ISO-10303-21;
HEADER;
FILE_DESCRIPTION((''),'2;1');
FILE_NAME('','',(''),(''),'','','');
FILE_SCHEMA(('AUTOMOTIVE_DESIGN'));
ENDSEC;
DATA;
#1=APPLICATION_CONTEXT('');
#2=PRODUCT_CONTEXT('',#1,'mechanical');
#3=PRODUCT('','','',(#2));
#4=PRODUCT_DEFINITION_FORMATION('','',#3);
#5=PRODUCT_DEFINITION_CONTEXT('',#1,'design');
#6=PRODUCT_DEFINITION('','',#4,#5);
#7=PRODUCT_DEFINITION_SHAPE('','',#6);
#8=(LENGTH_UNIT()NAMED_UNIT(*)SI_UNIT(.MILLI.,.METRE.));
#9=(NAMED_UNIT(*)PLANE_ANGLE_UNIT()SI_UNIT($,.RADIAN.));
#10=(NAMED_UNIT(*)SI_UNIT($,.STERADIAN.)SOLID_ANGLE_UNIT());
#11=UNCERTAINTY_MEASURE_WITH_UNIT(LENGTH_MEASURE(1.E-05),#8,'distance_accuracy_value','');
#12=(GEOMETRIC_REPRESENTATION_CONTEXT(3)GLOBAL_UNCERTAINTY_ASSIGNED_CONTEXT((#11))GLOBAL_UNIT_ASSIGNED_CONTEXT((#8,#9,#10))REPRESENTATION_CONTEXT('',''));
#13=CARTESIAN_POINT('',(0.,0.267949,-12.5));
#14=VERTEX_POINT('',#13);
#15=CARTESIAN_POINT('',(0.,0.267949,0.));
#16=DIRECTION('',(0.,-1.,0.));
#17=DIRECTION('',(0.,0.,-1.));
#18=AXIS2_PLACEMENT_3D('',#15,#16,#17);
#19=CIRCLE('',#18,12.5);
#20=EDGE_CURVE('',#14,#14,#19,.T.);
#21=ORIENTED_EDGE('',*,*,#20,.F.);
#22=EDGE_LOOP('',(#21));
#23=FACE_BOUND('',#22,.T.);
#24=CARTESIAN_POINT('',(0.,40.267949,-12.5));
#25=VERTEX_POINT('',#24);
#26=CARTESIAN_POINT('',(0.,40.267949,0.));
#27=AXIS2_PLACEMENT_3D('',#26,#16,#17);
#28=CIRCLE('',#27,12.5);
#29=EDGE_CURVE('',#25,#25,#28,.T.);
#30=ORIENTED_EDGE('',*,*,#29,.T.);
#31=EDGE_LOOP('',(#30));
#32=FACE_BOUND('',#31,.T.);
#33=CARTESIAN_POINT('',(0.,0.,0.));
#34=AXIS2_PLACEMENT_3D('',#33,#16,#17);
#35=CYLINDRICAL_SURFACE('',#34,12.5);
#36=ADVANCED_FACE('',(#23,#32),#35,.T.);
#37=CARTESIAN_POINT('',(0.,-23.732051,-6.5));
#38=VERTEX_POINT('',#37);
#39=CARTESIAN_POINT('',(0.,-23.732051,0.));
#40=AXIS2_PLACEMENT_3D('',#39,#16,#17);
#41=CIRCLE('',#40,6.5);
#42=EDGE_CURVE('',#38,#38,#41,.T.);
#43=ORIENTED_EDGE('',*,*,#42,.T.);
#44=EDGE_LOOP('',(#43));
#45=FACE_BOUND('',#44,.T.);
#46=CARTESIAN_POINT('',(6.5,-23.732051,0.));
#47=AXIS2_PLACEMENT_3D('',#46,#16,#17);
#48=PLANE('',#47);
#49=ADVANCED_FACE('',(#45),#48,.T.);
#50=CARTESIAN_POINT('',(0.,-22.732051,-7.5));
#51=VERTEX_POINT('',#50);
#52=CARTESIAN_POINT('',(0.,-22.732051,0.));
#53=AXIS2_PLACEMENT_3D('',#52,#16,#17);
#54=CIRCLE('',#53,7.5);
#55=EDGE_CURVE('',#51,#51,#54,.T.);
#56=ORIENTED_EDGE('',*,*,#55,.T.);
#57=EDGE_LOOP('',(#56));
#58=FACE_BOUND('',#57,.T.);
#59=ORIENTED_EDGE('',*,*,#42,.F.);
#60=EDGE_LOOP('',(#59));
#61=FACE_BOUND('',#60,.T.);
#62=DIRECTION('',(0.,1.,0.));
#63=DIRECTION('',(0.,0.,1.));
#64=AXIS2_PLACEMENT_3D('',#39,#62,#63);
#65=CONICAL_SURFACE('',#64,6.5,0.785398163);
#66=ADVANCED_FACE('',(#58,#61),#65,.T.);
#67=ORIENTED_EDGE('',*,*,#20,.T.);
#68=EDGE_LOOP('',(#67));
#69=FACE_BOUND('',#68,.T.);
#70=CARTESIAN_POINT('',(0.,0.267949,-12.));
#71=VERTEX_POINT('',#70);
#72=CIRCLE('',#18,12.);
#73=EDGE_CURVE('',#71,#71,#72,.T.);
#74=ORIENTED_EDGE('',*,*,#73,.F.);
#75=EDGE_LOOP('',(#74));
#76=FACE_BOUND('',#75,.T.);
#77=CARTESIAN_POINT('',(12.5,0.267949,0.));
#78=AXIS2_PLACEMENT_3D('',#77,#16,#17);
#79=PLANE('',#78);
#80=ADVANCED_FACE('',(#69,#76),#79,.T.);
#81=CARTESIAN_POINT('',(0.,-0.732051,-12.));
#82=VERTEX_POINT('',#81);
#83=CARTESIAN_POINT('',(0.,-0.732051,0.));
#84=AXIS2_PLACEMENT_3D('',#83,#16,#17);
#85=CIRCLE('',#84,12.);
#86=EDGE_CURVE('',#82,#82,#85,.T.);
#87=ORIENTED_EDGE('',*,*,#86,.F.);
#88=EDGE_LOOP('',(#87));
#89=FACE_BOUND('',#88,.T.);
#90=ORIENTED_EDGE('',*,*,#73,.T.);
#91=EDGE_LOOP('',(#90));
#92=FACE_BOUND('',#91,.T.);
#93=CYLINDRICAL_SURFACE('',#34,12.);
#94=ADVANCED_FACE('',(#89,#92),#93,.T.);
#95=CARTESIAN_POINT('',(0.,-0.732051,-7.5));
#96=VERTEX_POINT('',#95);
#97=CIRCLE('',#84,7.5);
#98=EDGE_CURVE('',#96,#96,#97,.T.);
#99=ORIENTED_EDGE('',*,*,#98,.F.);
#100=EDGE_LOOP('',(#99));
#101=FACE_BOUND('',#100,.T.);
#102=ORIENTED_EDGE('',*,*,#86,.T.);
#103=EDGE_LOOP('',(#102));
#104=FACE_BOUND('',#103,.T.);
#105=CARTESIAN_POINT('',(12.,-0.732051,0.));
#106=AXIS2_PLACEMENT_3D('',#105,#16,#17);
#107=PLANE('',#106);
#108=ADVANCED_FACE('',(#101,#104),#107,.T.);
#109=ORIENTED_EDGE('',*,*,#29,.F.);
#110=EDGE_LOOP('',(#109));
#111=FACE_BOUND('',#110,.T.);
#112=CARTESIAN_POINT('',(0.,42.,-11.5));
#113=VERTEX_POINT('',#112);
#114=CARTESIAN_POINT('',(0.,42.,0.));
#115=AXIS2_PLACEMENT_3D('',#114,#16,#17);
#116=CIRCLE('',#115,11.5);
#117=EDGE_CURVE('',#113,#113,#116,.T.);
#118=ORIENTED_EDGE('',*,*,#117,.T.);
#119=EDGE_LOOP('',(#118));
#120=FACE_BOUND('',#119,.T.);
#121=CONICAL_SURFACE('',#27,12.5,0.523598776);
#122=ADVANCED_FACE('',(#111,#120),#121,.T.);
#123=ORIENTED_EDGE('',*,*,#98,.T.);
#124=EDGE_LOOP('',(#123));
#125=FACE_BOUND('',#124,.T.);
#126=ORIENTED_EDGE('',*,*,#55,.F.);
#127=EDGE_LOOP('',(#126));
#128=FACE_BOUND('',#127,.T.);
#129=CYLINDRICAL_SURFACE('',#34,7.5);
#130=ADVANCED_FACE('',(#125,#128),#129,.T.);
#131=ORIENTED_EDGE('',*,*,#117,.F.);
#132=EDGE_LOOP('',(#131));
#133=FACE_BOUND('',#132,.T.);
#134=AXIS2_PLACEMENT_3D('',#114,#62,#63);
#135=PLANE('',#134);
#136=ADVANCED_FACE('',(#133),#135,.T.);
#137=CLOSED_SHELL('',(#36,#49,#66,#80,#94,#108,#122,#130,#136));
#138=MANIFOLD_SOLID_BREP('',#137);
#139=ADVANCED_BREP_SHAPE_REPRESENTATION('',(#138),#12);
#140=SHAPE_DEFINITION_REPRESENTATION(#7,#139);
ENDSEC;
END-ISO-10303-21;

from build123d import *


with BuildPart() as part:
    # 草图1 → 旋转1 (revolve)
    with BuildSketch(Plane.XY, mode=Mode.PRIVATE) as revolve_1_sk:
        Polygon((0, 0), (0, 42), (11.5, 42), (12.5, 40.267949192), (12.5, 0.267949192), (12, 0.267949192), (12, -0.732050808), (7.5, -0.732050808), (7.5, -22.732050808), (6.5, -23.732050808), (0, -23.732050808), align=None)
    revolve(revolve_1_sk.sketch.rotate(Axis((0, 0, 0), (0, 1, 0)), 90), axis=Axis((0, 0, 0), (0, 1, 0)))


solid = part.part
